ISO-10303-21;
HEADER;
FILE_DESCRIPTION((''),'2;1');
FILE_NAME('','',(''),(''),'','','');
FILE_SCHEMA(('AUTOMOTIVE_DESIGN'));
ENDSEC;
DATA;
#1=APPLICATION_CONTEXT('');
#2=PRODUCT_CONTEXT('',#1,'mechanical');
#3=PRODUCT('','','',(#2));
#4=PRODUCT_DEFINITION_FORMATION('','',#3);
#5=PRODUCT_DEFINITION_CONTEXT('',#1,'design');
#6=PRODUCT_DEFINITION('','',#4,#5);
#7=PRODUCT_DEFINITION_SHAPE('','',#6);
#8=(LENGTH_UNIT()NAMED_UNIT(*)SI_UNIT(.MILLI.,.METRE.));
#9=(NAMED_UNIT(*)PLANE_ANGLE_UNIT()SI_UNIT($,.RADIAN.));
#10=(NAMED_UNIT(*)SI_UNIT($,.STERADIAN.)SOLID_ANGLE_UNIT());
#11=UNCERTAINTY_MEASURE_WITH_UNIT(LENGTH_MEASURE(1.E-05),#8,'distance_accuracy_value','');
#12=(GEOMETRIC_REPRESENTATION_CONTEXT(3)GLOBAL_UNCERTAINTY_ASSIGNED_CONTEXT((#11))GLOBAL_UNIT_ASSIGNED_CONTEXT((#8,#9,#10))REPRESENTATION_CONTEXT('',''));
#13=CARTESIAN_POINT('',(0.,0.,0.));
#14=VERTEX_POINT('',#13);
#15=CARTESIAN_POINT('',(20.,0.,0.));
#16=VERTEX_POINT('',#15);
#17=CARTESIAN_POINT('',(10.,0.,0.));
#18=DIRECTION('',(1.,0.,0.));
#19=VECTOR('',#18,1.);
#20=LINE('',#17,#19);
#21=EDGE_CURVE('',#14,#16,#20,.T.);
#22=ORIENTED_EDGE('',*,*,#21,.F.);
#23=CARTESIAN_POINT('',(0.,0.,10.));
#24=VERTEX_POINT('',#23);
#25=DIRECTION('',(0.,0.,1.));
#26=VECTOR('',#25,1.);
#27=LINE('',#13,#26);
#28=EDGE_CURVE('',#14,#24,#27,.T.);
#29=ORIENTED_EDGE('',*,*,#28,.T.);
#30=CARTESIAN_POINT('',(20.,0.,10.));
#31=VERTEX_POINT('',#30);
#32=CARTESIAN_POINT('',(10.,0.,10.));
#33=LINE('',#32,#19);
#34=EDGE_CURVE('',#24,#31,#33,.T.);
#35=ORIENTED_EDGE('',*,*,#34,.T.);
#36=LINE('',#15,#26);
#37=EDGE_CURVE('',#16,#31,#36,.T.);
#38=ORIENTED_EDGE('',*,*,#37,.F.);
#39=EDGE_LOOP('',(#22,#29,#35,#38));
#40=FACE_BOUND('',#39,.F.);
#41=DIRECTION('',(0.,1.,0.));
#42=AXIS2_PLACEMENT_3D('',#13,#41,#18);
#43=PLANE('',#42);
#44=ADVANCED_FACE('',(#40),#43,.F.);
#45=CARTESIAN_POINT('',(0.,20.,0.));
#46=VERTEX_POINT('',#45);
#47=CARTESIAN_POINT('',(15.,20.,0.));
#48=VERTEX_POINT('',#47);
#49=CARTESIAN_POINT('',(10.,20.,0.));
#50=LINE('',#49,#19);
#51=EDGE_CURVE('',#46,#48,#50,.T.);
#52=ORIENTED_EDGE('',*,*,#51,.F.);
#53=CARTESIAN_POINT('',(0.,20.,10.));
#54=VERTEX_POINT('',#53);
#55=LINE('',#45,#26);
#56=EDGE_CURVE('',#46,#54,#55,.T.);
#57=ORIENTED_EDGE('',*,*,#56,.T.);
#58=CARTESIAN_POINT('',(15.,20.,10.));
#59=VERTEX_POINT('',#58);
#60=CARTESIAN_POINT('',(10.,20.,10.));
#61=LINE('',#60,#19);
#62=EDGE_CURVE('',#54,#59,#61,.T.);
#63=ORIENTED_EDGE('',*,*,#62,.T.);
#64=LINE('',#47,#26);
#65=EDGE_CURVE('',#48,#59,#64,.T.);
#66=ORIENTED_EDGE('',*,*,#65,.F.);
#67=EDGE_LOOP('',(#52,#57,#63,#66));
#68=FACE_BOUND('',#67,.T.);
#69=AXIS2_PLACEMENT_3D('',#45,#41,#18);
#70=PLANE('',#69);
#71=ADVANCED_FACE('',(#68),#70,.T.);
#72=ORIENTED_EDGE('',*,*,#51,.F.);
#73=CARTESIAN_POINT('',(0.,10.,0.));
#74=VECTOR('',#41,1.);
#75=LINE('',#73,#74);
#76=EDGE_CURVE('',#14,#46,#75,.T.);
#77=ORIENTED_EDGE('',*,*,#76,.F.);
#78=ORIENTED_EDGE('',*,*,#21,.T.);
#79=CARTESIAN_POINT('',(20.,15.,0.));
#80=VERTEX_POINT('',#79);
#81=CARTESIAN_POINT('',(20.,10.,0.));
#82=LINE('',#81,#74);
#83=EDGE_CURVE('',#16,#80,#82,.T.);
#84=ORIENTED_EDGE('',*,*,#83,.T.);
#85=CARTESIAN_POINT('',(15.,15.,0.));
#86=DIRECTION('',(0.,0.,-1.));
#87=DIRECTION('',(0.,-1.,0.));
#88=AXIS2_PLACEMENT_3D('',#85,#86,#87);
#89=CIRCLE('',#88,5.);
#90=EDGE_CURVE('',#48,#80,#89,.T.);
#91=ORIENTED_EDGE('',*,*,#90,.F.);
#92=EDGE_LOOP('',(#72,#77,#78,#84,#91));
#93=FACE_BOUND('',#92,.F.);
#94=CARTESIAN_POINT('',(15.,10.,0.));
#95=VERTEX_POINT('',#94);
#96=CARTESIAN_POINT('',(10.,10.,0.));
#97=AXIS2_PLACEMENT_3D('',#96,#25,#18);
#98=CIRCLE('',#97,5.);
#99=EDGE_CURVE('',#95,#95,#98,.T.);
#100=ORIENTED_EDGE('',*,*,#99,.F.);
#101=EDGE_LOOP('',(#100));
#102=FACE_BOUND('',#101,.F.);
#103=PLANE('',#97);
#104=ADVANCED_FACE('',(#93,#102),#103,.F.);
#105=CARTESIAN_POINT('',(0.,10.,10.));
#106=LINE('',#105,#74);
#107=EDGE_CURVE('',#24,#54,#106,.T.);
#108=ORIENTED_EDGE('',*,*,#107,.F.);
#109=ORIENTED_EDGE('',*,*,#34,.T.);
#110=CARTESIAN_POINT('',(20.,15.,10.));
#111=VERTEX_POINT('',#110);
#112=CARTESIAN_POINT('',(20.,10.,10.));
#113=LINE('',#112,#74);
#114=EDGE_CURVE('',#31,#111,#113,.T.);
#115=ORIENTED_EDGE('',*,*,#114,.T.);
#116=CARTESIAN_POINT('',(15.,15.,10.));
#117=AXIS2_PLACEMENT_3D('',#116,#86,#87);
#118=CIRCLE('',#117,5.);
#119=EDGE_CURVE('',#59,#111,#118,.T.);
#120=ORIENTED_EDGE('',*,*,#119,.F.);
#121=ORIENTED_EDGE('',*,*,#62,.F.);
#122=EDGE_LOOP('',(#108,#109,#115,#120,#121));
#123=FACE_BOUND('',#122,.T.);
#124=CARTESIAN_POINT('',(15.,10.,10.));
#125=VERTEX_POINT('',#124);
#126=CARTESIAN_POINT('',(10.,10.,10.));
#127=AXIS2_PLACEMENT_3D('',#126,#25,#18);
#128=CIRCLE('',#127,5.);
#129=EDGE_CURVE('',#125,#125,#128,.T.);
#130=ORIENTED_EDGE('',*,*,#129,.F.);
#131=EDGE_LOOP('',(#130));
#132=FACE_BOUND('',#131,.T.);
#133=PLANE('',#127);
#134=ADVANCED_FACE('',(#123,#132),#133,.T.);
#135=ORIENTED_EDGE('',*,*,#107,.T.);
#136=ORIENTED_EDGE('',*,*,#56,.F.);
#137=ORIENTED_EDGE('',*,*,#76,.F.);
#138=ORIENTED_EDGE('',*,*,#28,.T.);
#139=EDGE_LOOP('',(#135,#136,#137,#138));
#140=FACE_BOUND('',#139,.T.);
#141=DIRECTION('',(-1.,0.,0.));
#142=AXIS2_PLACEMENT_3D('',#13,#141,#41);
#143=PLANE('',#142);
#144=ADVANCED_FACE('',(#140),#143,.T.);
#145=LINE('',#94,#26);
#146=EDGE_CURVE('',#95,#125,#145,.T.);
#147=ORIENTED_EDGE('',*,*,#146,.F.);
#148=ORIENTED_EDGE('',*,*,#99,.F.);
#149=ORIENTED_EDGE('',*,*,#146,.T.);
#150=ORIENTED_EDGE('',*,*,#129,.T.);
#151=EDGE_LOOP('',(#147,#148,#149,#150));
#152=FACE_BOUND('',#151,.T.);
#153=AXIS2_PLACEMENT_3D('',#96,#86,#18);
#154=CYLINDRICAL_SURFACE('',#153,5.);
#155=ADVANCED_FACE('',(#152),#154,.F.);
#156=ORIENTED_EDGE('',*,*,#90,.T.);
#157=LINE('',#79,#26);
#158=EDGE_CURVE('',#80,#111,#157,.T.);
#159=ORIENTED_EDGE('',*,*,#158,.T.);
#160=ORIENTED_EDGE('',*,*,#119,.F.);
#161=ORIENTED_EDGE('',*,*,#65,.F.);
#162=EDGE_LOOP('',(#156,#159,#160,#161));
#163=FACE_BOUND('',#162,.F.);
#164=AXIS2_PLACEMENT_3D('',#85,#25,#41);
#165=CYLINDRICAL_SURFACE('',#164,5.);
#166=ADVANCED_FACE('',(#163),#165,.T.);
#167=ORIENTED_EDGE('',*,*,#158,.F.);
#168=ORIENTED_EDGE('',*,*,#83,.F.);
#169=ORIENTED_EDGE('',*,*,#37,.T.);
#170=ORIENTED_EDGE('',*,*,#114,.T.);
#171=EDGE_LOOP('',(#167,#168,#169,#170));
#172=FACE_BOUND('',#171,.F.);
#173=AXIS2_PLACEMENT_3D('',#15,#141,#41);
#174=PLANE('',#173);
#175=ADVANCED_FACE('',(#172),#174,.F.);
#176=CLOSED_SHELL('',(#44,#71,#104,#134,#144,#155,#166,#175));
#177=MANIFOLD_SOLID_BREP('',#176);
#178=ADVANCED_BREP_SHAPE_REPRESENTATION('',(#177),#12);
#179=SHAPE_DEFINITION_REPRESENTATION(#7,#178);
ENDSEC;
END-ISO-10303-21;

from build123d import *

# Parameters (mm, degrees)
F0_W     = 20
F0_H     = 20
F0_R     = 5
F1_DEPTH = 10
F2_R     = 5


with BuildPart() as f1:
    # F0 (on Top) → F1 (new body)
    with BuildSketch(Plane.XY):
        with Locations((10, 10)):
            Rectangle(F0_W, F0_H)
        with Locations((10, 10)):
            Circle(F0_R, mode=Mode.SUBTRACT)
    extrude(amount=F1_DEPTH)

    # F2
    f2_edges = [f1.edges().sort_by_distance(p)[0] for p in [
        (20, 20, 5),
    ]]
    fillet(f2_edges, radius=F2_R)


solid = f1.part
